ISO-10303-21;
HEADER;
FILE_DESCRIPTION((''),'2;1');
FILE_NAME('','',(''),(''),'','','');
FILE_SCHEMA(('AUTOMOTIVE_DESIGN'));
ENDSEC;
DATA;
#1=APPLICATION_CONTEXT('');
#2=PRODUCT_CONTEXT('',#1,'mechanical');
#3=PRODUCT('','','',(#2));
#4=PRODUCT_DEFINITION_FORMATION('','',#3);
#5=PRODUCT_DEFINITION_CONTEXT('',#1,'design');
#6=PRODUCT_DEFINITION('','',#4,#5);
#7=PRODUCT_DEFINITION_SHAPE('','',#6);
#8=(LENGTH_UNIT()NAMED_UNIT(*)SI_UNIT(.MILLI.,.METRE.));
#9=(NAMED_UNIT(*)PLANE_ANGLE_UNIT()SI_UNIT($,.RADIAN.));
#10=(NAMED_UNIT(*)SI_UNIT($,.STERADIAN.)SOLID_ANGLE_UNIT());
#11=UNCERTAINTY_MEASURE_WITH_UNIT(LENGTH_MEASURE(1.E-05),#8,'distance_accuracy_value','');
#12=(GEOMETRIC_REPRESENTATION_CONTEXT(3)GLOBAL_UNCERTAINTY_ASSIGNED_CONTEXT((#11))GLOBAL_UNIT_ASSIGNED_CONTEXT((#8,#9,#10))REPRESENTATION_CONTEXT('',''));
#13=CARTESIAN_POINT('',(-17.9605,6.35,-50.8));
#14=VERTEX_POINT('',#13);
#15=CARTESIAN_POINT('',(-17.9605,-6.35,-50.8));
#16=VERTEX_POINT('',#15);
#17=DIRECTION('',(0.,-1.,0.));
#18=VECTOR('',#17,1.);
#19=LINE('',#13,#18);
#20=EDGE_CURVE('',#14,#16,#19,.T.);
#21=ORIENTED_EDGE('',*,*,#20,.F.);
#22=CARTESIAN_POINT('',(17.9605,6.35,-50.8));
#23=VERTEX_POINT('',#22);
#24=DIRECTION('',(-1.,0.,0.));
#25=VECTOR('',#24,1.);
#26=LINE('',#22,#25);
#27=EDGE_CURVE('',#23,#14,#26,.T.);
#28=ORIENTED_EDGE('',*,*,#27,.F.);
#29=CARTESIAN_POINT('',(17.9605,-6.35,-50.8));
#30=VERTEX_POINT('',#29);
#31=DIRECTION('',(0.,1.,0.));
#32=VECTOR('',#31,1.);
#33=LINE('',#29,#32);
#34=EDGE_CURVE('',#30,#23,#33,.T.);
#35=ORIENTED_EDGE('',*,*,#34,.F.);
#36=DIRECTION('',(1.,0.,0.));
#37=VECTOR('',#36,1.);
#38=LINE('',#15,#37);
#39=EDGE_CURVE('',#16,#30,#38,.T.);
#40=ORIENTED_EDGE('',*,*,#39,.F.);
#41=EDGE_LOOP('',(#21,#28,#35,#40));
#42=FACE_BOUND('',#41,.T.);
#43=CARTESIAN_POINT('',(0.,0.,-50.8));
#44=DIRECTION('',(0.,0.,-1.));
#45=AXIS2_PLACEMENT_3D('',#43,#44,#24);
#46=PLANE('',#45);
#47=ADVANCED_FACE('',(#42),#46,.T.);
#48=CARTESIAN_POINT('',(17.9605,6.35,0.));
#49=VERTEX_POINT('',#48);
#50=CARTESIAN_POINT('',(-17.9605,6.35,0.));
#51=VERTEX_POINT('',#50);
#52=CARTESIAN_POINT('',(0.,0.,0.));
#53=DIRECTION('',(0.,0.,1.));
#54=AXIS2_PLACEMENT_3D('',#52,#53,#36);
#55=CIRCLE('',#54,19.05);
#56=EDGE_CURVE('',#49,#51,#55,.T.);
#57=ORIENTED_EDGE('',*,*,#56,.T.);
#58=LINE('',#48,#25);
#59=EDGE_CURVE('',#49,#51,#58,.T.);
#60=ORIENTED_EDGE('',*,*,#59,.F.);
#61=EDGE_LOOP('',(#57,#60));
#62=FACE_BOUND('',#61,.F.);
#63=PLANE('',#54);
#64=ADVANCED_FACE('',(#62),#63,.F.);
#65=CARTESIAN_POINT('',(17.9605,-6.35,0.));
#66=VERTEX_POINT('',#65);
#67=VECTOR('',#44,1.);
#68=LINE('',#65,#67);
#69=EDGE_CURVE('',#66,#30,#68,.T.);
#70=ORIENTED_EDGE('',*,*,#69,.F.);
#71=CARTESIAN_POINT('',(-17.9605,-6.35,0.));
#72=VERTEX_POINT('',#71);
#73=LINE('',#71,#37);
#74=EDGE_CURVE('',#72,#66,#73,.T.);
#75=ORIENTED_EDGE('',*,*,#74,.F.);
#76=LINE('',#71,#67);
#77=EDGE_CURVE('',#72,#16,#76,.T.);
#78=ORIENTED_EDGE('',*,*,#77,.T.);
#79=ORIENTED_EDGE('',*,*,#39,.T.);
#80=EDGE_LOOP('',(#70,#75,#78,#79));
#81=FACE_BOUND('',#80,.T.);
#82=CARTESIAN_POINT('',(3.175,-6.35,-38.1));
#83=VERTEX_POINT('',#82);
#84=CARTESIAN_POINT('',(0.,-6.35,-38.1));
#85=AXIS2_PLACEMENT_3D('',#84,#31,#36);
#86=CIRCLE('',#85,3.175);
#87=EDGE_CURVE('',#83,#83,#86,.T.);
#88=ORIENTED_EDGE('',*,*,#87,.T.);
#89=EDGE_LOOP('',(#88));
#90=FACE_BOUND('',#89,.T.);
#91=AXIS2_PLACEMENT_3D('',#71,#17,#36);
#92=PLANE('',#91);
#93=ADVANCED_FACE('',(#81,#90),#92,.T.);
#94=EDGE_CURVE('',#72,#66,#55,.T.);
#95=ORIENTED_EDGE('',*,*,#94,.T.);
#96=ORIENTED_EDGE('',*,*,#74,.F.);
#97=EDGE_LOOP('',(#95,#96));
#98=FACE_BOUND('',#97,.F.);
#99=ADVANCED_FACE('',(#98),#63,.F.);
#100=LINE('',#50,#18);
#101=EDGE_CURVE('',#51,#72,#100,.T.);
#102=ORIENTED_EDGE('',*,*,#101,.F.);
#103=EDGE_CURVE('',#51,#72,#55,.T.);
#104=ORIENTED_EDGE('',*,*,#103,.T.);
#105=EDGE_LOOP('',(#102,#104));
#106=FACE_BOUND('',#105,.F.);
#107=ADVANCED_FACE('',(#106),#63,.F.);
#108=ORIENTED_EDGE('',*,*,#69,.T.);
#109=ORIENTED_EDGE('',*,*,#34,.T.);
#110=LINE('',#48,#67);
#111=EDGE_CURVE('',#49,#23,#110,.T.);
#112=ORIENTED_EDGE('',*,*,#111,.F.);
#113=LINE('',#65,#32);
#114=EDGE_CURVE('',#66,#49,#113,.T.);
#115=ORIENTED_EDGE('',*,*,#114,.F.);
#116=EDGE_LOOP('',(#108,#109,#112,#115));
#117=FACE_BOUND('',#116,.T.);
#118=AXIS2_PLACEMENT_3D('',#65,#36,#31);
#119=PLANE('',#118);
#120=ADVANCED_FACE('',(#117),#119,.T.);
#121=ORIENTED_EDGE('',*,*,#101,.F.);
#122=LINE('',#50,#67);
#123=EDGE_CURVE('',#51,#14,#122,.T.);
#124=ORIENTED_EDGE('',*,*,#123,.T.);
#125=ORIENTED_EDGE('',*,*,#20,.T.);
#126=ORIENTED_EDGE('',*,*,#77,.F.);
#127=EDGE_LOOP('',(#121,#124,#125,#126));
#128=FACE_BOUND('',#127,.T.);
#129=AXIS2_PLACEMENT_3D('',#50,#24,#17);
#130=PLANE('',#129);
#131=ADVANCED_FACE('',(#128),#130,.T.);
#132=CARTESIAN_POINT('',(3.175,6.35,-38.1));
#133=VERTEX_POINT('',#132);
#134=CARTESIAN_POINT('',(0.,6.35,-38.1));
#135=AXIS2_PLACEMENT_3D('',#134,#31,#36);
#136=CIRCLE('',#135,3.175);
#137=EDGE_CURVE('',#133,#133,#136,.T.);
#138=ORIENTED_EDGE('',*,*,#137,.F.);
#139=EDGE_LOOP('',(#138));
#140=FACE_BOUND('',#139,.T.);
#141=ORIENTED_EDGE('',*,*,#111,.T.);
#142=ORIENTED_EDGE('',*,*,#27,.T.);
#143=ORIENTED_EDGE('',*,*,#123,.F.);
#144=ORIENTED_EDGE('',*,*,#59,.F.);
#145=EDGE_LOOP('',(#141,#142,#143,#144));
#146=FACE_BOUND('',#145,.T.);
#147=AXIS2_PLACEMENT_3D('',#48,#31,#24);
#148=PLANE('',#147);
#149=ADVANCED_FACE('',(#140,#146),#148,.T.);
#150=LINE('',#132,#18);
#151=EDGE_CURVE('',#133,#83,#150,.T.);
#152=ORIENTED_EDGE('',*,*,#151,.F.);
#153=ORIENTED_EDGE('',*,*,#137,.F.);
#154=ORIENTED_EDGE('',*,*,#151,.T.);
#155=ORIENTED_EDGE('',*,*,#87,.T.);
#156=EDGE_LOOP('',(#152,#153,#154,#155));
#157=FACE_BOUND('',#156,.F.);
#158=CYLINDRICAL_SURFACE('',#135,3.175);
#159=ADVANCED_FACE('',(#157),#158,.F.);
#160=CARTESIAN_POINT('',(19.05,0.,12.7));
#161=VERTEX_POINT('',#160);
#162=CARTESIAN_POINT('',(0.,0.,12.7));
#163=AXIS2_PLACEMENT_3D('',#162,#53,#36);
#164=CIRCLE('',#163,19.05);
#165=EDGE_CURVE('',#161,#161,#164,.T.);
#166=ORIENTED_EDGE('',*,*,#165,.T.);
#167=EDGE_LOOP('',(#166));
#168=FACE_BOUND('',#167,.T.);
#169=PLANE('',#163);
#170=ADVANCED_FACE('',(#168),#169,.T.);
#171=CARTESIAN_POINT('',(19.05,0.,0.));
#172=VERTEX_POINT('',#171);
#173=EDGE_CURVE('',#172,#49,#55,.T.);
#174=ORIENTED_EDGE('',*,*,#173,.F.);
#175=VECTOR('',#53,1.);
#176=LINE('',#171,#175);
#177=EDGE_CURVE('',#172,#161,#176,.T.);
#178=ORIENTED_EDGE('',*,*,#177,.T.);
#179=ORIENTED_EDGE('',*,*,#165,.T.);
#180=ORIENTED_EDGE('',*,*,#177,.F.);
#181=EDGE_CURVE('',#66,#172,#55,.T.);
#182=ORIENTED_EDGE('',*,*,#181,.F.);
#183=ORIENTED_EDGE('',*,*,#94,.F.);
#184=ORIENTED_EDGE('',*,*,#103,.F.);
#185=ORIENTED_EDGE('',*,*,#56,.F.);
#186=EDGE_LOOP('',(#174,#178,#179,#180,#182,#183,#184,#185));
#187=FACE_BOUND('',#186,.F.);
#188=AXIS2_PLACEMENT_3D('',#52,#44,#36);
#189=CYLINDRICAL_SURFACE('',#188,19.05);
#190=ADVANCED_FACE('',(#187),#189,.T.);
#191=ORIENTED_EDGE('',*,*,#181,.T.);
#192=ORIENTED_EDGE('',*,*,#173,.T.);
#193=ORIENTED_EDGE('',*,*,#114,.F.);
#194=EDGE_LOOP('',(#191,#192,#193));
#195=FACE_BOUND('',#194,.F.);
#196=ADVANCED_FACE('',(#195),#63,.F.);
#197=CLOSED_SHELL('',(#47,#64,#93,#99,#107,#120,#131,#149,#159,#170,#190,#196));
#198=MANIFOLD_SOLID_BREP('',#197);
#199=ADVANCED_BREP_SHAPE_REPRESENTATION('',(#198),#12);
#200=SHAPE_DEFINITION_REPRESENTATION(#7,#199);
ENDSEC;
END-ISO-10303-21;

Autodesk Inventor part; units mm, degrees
ref_plane "YZ Plane" through (0, 0, 0) normal (1, 0, 0) x (0, 1, 0)
ref_plane "XZ Plane" through (0, 0, 0) normal (0, 1, 0) x (-1, 0, 0)
ref_plane "XY Plane" through (0, 0, 0) normal (0, 0, 1) x (1, 0, 0)
sketch "Sketch1" plane through (0, 0, 0) normal (0, 0, 1) x (1, 0, 0)
  circle A0 centre (0, 0) radius 19.05
  dimension "d0" = 38.1
extrude "Extrusion1" add sketch "Sketch1" along normal blind 12.7
sketch "Sketch2" plane through (0, 0, 0) normal (0, 0, -1) x (-1, 0, 0)
  circle A0 centre (0, 0) radius 19.05 projected
  line L0 (-17.9605, 6.35) -> (17.9605, 6.35)
  line L1 (17.9605, 6.35) -> (17.9605, -6.35)
  line L2 (17.9605, -6.35) -> (-17.9605, -6.35)
  line L3 (-17.9605, -6.35) -> (-17.9605, 6.35)
  dimension "d3" = 12.7
  dimension "d4" = 12.7
extrude "Extrusion2" add sketch "Sketch2" along normal blind 50.8 contours L1 L2 L3 L0
sketch "Sketch3" plane through (-17.9605, 6.35, 0) normal (0, 1, 0) x (1, 0, 0)
  circle A0 centre (17.9605, 38.1) radius 3.175
  line L0 (35.921, 0) -> (35.921, 50.8) projected
  line L1 (0, 50.8) -> (35.921, 50.8) projected
  point P0 (17.9605, 0)
  dimension "d7" = 6.35
  dimension "d8" = 17.9605
  dimension "d9" = 12.7
extrude "Extrusion3" cut sketch "Sketch3" against normal blind 25.4
properties part number "Bottom Pneumatics notch"
